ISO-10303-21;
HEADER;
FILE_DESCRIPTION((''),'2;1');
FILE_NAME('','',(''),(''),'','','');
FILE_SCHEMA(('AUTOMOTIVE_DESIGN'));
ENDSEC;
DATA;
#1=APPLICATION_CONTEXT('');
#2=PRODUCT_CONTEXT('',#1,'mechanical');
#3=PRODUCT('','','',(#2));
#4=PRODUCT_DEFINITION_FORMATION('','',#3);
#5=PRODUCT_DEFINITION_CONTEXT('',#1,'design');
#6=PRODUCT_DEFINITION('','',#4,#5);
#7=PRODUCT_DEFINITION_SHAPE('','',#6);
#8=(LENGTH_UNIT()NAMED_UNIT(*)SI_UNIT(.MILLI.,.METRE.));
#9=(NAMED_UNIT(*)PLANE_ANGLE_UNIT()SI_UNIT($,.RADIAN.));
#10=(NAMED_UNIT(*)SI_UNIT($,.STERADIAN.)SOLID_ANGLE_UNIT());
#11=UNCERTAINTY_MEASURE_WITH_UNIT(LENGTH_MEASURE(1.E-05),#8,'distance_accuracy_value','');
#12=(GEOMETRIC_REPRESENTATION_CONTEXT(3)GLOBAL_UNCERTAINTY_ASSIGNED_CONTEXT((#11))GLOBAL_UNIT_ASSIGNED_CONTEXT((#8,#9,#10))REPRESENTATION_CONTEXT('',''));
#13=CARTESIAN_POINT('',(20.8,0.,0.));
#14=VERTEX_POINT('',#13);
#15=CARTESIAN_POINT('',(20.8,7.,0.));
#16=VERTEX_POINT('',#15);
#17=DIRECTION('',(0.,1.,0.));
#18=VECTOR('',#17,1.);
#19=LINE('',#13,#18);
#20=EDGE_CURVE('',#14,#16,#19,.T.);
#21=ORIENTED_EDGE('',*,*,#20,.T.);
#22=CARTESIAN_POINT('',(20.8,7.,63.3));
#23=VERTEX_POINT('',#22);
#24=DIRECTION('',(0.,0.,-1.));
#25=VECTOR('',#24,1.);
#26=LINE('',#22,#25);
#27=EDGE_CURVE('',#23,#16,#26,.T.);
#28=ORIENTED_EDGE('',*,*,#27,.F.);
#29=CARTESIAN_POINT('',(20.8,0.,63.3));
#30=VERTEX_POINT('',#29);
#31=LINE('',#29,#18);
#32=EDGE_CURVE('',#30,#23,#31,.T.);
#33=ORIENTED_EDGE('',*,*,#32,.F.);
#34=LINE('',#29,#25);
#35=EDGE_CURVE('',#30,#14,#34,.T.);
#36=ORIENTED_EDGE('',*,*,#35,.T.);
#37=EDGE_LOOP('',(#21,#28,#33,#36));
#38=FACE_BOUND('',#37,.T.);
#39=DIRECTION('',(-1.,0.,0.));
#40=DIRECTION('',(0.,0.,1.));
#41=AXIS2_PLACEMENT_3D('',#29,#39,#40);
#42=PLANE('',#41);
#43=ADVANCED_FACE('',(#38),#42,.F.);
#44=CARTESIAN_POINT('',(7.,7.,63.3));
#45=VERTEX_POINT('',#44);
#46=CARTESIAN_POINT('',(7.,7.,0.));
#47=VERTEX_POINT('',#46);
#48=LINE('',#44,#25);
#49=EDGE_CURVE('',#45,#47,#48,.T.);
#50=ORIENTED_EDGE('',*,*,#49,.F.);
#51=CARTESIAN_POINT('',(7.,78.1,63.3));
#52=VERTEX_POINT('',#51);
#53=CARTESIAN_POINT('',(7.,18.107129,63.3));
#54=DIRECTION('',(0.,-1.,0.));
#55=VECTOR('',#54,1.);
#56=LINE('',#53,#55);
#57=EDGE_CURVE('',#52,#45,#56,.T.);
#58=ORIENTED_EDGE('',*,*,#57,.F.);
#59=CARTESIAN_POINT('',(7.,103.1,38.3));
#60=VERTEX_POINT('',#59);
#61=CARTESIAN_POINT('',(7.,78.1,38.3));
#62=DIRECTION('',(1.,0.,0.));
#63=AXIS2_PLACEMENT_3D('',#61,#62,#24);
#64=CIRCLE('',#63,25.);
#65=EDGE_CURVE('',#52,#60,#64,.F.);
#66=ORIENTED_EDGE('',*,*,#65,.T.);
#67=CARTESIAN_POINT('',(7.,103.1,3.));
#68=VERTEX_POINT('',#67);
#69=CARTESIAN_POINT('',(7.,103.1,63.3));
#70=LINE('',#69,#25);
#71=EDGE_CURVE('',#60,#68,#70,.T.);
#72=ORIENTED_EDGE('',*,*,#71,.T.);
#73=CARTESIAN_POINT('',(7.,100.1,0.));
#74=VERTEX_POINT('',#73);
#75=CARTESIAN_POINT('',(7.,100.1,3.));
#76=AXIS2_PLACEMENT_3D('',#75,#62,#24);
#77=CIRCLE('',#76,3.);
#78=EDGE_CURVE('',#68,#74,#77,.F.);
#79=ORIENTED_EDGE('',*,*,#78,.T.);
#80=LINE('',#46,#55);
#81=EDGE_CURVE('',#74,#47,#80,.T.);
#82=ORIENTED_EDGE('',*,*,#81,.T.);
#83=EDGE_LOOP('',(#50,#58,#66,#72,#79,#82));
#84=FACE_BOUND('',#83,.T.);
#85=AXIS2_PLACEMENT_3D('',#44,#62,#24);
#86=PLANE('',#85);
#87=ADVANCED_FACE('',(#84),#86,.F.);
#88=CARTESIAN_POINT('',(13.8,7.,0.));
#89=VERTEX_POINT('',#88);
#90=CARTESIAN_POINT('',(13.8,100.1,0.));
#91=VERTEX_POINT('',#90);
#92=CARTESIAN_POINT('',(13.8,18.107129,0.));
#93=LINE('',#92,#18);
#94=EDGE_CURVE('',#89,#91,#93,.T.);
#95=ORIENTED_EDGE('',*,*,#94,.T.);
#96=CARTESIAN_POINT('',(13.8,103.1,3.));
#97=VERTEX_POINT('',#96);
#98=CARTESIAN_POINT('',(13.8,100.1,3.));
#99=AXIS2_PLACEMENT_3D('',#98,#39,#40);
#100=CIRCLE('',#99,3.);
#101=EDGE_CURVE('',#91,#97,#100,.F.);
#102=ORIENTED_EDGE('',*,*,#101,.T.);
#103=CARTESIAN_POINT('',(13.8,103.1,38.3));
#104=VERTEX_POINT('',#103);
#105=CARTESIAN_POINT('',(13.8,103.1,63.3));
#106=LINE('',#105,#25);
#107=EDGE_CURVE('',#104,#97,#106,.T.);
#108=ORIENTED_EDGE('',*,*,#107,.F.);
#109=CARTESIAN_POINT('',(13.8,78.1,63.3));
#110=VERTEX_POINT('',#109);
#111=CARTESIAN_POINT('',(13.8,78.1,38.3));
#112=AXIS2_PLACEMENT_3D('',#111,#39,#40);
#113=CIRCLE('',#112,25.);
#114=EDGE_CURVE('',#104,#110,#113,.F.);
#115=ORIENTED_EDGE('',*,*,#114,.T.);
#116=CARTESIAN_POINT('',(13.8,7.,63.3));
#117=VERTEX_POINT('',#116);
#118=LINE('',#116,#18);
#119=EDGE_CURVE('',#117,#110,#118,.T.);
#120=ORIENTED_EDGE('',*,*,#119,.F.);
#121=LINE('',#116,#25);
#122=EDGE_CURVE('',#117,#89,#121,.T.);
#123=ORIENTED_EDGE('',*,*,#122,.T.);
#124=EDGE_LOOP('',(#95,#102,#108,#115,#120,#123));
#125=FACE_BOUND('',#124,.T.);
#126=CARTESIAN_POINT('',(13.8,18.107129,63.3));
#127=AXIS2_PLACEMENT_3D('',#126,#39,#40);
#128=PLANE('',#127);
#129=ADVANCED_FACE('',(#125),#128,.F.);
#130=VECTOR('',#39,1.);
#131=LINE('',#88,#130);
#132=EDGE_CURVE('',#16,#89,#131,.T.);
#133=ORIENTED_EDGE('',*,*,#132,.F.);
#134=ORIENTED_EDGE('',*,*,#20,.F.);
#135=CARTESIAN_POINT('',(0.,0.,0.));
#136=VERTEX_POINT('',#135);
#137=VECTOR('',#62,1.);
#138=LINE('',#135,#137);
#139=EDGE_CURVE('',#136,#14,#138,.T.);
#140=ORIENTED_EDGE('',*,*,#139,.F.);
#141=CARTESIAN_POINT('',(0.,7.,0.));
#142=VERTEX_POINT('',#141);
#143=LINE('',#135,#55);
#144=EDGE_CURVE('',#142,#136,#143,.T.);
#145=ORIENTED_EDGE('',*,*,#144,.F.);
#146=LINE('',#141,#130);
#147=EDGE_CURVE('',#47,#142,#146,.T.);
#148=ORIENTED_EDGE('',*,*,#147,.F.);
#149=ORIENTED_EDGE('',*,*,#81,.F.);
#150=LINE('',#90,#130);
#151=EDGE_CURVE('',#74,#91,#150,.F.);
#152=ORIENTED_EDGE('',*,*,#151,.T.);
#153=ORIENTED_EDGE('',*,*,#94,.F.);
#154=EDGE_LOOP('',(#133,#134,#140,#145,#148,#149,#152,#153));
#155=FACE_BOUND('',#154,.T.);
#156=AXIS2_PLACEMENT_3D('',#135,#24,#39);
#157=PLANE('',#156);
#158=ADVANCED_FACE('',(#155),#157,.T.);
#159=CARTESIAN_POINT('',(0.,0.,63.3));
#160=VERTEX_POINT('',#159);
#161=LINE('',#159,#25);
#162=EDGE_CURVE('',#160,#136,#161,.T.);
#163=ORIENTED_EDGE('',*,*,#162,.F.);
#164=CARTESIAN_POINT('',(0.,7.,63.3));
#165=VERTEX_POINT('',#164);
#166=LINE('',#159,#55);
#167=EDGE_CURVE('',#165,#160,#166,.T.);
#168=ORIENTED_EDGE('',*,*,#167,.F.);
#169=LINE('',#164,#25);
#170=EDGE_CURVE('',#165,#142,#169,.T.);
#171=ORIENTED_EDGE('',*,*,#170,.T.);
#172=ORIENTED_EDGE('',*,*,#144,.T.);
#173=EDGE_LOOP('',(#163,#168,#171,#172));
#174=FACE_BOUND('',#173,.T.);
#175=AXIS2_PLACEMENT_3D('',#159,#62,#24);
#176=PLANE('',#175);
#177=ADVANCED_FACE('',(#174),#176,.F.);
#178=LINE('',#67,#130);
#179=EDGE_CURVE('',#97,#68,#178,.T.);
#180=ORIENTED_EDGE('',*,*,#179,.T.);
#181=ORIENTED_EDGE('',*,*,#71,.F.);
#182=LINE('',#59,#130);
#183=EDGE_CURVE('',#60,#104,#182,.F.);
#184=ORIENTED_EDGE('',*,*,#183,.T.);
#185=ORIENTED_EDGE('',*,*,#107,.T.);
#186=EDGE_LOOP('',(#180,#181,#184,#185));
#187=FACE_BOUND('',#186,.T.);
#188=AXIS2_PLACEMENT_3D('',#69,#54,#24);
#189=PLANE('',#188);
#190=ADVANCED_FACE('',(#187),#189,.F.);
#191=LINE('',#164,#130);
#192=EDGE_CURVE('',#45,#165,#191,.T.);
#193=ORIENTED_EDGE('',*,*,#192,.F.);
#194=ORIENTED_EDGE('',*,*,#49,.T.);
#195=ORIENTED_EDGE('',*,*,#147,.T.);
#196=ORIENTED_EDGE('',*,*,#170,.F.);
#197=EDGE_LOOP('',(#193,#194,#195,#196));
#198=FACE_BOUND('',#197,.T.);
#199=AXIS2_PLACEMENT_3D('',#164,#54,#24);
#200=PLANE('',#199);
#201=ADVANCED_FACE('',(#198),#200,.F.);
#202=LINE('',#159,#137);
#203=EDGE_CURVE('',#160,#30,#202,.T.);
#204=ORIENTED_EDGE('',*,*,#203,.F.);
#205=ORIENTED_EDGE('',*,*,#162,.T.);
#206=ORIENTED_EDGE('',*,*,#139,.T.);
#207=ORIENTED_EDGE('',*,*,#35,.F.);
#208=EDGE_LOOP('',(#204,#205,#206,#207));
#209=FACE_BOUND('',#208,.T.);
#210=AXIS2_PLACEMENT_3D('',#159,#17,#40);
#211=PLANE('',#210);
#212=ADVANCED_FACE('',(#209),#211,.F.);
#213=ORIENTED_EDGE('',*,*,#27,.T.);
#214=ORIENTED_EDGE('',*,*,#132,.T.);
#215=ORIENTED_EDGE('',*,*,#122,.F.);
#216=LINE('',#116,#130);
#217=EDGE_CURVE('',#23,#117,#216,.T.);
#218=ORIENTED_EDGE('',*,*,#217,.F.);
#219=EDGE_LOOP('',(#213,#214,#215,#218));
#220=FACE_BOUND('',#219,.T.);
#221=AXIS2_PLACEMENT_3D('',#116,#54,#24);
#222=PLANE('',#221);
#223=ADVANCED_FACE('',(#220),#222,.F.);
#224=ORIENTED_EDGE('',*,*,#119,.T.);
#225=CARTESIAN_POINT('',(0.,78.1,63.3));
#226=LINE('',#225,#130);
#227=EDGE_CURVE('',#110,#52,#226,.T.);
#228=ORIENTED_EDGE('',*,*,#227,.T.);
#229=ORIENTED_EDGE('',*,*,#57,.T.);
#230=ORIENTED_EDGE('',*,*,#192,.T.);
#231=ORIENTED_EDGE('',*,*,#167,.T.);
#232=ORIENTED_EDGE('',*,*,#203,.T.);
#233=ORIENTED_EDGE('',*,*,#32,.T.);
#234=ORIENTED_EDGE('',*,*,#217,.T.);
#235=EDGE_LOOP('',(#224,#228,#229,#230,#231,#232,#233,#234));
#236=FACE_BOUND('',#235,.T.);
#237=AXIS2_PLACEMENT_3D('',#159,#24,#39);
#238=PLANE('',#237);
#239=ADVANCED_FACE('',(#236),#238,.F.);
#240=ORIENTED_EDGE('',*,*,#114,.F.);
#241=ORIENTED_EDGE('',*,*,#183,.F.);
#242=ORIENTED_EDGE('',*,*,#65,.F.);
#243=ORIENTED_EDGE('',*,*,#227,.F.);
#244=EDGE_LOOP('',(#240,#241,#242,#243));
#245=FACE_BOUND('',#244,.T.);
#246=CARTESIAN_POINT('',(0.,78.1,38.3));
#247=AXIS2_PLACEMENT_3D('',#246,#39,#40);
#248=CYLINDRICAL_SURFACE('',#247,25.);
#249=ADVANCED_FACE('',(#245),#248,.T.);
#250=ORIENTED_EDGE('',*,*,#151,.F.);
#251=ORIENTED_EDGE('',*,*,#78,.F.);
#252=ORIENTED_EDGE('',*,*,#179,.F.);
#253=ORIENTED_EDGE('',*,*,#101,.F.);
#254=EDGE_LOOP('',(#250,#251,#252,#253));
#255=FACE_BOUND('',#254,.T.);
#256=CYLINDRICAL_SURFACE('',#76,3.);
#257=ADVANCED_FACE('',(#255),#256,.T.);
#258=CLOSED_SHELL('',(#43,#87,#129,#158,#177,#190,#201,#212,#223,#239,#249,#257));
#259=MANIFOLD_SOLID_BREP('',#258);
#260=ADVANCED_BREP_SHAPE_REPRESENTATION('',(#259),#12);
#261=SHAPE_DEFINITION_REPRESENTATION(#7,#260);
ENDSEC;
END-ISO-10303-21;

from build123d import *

# Parameters (mm, degrees)
BOSS_EXTRUDE1_DEPTH = 63.3
FILLET4_R           = 3
FILLET5_R           = 25


with BuildPart() as part:
    # Sketch1 → Boss-Extrude1 (new body)
    with BuildSketch(Plane.XY):
        Polygon((0, 7), (7, 7), (7, 18.10712891), (7, 103.1), (13.8, 103.1), (13.8, 18.10712891), (13.8, 7), (20.8, 7), (20.8, 0), (0, 0), align=None)
    extrude(amount=BOSS_EXTRUDE1_DEPTH)

    # Fillet4
    fillet4_edges = [part.edges().sort_by_distance(p)[0] for p in [
        (10.4, 103.1, 0),
    ]]
    fillet(fillet4_edges, radius=FILLET4_R)

    # Fillet5
    fillet5_edges = [part.edges().sort_by_distance(p)[0] for p in [
        (10.4, 103.1, 63.3),
    ]]
    fillet(fillet5_edges, radius=FILLET5_R)


solid = part.part
